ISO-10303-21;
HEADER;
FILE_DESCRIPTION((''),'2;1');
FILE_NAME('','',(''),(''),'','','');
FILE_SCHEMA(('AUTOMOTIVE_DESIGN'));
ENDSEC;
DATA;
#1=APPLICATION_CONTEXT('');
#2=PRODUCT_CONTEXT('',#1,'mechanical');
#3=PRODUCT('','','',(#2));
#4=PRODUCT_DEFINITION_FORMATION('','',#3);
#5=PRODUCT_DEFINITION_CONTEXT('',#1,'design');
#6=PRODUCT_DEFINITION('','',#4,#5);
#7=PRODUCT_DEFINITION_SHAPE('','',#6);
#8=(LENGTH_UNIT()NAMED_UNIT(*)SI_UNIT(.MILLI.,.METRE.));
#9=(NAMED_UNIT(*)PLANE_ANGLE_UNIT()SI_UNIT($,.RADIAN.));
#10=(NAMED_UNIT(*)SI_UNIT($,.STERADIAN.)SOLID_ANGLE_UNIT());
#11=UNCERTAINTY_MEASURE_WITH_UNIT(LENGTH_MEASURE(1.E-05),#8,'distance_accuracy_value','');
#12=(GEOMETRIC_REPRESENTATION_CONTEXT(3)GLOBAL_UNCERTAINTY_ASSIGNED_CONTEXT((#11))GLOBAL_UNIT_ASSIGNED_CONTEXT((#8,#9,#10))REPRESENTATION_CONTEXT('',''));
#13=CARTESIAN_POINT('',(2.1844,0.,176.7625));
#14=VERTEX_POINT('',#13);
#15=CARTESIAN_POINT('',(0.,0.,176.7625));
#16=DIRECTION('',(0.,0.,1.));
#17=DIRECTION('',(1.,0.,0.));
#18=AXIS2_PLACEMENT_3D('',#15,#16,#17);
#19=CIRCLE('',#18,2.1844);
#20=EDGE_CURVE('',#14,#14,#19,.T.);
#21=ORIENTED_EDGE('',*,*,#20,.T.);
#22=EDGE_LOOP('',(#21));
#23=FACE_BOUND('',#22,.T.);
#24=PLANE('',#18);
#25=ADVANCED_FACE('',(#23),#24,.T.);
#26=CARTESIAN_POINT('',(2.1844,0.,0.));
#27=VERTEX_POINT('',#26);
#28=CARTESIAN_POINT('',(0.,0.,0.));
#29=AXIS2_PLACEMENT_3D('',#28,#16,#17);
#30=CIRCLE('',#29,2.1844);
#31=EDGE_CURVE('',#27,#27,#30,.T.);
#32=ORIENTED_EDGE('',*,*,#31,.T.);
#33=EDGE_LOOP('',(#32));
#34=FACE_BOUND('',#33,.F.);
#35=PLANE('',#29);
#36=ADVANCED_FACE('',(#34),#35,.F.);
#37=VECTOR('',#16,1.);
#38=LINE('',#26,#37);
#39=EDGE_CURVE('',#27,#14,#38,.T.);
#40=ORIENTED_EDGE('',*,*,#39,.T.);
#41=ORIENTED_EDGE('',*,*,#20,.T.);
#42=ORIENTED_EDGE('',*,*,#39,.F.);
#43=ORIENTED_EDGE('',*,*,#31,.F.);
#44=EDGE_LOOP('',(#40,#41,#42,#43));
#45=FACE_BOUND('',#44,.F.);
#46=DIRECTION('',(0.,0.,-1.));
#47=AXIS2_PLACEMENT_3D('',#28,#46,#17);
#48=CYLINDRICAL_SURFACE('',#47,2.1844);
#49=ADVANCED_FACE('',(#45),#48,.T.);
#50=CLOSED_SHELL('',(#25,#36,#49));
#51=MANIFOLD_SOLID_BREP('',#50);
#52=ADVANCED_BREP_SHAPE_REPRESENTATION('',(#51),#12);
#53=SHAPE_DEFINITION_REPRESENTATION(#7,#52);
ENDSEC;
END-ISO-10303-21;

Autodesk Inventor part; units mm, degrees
ref_plane "YZ Plane" through (0, 0, 0) normal (1, 0, 0) x (0, 1, 0)
ref_plane "XZ Plane" through (0, 0, 0) normal (0, 1, 0) x (-1, 0, 0)
ref_plane "XY Plane" through (0, 0, 0) normal (0, 0, 1) x (1, 0, 0)
sketch "Sketch1" plane through (0, 0, 0) normal (0, 0, 1) x (1, 0, 0)
  circle A0 centre (0, 0) radius 2.1844
  dimension "d0" = 4.3688
extrude "Extrusion1" add sketch "Sketch1" along normal blind 176.7625
properties part number "rubberbands"
